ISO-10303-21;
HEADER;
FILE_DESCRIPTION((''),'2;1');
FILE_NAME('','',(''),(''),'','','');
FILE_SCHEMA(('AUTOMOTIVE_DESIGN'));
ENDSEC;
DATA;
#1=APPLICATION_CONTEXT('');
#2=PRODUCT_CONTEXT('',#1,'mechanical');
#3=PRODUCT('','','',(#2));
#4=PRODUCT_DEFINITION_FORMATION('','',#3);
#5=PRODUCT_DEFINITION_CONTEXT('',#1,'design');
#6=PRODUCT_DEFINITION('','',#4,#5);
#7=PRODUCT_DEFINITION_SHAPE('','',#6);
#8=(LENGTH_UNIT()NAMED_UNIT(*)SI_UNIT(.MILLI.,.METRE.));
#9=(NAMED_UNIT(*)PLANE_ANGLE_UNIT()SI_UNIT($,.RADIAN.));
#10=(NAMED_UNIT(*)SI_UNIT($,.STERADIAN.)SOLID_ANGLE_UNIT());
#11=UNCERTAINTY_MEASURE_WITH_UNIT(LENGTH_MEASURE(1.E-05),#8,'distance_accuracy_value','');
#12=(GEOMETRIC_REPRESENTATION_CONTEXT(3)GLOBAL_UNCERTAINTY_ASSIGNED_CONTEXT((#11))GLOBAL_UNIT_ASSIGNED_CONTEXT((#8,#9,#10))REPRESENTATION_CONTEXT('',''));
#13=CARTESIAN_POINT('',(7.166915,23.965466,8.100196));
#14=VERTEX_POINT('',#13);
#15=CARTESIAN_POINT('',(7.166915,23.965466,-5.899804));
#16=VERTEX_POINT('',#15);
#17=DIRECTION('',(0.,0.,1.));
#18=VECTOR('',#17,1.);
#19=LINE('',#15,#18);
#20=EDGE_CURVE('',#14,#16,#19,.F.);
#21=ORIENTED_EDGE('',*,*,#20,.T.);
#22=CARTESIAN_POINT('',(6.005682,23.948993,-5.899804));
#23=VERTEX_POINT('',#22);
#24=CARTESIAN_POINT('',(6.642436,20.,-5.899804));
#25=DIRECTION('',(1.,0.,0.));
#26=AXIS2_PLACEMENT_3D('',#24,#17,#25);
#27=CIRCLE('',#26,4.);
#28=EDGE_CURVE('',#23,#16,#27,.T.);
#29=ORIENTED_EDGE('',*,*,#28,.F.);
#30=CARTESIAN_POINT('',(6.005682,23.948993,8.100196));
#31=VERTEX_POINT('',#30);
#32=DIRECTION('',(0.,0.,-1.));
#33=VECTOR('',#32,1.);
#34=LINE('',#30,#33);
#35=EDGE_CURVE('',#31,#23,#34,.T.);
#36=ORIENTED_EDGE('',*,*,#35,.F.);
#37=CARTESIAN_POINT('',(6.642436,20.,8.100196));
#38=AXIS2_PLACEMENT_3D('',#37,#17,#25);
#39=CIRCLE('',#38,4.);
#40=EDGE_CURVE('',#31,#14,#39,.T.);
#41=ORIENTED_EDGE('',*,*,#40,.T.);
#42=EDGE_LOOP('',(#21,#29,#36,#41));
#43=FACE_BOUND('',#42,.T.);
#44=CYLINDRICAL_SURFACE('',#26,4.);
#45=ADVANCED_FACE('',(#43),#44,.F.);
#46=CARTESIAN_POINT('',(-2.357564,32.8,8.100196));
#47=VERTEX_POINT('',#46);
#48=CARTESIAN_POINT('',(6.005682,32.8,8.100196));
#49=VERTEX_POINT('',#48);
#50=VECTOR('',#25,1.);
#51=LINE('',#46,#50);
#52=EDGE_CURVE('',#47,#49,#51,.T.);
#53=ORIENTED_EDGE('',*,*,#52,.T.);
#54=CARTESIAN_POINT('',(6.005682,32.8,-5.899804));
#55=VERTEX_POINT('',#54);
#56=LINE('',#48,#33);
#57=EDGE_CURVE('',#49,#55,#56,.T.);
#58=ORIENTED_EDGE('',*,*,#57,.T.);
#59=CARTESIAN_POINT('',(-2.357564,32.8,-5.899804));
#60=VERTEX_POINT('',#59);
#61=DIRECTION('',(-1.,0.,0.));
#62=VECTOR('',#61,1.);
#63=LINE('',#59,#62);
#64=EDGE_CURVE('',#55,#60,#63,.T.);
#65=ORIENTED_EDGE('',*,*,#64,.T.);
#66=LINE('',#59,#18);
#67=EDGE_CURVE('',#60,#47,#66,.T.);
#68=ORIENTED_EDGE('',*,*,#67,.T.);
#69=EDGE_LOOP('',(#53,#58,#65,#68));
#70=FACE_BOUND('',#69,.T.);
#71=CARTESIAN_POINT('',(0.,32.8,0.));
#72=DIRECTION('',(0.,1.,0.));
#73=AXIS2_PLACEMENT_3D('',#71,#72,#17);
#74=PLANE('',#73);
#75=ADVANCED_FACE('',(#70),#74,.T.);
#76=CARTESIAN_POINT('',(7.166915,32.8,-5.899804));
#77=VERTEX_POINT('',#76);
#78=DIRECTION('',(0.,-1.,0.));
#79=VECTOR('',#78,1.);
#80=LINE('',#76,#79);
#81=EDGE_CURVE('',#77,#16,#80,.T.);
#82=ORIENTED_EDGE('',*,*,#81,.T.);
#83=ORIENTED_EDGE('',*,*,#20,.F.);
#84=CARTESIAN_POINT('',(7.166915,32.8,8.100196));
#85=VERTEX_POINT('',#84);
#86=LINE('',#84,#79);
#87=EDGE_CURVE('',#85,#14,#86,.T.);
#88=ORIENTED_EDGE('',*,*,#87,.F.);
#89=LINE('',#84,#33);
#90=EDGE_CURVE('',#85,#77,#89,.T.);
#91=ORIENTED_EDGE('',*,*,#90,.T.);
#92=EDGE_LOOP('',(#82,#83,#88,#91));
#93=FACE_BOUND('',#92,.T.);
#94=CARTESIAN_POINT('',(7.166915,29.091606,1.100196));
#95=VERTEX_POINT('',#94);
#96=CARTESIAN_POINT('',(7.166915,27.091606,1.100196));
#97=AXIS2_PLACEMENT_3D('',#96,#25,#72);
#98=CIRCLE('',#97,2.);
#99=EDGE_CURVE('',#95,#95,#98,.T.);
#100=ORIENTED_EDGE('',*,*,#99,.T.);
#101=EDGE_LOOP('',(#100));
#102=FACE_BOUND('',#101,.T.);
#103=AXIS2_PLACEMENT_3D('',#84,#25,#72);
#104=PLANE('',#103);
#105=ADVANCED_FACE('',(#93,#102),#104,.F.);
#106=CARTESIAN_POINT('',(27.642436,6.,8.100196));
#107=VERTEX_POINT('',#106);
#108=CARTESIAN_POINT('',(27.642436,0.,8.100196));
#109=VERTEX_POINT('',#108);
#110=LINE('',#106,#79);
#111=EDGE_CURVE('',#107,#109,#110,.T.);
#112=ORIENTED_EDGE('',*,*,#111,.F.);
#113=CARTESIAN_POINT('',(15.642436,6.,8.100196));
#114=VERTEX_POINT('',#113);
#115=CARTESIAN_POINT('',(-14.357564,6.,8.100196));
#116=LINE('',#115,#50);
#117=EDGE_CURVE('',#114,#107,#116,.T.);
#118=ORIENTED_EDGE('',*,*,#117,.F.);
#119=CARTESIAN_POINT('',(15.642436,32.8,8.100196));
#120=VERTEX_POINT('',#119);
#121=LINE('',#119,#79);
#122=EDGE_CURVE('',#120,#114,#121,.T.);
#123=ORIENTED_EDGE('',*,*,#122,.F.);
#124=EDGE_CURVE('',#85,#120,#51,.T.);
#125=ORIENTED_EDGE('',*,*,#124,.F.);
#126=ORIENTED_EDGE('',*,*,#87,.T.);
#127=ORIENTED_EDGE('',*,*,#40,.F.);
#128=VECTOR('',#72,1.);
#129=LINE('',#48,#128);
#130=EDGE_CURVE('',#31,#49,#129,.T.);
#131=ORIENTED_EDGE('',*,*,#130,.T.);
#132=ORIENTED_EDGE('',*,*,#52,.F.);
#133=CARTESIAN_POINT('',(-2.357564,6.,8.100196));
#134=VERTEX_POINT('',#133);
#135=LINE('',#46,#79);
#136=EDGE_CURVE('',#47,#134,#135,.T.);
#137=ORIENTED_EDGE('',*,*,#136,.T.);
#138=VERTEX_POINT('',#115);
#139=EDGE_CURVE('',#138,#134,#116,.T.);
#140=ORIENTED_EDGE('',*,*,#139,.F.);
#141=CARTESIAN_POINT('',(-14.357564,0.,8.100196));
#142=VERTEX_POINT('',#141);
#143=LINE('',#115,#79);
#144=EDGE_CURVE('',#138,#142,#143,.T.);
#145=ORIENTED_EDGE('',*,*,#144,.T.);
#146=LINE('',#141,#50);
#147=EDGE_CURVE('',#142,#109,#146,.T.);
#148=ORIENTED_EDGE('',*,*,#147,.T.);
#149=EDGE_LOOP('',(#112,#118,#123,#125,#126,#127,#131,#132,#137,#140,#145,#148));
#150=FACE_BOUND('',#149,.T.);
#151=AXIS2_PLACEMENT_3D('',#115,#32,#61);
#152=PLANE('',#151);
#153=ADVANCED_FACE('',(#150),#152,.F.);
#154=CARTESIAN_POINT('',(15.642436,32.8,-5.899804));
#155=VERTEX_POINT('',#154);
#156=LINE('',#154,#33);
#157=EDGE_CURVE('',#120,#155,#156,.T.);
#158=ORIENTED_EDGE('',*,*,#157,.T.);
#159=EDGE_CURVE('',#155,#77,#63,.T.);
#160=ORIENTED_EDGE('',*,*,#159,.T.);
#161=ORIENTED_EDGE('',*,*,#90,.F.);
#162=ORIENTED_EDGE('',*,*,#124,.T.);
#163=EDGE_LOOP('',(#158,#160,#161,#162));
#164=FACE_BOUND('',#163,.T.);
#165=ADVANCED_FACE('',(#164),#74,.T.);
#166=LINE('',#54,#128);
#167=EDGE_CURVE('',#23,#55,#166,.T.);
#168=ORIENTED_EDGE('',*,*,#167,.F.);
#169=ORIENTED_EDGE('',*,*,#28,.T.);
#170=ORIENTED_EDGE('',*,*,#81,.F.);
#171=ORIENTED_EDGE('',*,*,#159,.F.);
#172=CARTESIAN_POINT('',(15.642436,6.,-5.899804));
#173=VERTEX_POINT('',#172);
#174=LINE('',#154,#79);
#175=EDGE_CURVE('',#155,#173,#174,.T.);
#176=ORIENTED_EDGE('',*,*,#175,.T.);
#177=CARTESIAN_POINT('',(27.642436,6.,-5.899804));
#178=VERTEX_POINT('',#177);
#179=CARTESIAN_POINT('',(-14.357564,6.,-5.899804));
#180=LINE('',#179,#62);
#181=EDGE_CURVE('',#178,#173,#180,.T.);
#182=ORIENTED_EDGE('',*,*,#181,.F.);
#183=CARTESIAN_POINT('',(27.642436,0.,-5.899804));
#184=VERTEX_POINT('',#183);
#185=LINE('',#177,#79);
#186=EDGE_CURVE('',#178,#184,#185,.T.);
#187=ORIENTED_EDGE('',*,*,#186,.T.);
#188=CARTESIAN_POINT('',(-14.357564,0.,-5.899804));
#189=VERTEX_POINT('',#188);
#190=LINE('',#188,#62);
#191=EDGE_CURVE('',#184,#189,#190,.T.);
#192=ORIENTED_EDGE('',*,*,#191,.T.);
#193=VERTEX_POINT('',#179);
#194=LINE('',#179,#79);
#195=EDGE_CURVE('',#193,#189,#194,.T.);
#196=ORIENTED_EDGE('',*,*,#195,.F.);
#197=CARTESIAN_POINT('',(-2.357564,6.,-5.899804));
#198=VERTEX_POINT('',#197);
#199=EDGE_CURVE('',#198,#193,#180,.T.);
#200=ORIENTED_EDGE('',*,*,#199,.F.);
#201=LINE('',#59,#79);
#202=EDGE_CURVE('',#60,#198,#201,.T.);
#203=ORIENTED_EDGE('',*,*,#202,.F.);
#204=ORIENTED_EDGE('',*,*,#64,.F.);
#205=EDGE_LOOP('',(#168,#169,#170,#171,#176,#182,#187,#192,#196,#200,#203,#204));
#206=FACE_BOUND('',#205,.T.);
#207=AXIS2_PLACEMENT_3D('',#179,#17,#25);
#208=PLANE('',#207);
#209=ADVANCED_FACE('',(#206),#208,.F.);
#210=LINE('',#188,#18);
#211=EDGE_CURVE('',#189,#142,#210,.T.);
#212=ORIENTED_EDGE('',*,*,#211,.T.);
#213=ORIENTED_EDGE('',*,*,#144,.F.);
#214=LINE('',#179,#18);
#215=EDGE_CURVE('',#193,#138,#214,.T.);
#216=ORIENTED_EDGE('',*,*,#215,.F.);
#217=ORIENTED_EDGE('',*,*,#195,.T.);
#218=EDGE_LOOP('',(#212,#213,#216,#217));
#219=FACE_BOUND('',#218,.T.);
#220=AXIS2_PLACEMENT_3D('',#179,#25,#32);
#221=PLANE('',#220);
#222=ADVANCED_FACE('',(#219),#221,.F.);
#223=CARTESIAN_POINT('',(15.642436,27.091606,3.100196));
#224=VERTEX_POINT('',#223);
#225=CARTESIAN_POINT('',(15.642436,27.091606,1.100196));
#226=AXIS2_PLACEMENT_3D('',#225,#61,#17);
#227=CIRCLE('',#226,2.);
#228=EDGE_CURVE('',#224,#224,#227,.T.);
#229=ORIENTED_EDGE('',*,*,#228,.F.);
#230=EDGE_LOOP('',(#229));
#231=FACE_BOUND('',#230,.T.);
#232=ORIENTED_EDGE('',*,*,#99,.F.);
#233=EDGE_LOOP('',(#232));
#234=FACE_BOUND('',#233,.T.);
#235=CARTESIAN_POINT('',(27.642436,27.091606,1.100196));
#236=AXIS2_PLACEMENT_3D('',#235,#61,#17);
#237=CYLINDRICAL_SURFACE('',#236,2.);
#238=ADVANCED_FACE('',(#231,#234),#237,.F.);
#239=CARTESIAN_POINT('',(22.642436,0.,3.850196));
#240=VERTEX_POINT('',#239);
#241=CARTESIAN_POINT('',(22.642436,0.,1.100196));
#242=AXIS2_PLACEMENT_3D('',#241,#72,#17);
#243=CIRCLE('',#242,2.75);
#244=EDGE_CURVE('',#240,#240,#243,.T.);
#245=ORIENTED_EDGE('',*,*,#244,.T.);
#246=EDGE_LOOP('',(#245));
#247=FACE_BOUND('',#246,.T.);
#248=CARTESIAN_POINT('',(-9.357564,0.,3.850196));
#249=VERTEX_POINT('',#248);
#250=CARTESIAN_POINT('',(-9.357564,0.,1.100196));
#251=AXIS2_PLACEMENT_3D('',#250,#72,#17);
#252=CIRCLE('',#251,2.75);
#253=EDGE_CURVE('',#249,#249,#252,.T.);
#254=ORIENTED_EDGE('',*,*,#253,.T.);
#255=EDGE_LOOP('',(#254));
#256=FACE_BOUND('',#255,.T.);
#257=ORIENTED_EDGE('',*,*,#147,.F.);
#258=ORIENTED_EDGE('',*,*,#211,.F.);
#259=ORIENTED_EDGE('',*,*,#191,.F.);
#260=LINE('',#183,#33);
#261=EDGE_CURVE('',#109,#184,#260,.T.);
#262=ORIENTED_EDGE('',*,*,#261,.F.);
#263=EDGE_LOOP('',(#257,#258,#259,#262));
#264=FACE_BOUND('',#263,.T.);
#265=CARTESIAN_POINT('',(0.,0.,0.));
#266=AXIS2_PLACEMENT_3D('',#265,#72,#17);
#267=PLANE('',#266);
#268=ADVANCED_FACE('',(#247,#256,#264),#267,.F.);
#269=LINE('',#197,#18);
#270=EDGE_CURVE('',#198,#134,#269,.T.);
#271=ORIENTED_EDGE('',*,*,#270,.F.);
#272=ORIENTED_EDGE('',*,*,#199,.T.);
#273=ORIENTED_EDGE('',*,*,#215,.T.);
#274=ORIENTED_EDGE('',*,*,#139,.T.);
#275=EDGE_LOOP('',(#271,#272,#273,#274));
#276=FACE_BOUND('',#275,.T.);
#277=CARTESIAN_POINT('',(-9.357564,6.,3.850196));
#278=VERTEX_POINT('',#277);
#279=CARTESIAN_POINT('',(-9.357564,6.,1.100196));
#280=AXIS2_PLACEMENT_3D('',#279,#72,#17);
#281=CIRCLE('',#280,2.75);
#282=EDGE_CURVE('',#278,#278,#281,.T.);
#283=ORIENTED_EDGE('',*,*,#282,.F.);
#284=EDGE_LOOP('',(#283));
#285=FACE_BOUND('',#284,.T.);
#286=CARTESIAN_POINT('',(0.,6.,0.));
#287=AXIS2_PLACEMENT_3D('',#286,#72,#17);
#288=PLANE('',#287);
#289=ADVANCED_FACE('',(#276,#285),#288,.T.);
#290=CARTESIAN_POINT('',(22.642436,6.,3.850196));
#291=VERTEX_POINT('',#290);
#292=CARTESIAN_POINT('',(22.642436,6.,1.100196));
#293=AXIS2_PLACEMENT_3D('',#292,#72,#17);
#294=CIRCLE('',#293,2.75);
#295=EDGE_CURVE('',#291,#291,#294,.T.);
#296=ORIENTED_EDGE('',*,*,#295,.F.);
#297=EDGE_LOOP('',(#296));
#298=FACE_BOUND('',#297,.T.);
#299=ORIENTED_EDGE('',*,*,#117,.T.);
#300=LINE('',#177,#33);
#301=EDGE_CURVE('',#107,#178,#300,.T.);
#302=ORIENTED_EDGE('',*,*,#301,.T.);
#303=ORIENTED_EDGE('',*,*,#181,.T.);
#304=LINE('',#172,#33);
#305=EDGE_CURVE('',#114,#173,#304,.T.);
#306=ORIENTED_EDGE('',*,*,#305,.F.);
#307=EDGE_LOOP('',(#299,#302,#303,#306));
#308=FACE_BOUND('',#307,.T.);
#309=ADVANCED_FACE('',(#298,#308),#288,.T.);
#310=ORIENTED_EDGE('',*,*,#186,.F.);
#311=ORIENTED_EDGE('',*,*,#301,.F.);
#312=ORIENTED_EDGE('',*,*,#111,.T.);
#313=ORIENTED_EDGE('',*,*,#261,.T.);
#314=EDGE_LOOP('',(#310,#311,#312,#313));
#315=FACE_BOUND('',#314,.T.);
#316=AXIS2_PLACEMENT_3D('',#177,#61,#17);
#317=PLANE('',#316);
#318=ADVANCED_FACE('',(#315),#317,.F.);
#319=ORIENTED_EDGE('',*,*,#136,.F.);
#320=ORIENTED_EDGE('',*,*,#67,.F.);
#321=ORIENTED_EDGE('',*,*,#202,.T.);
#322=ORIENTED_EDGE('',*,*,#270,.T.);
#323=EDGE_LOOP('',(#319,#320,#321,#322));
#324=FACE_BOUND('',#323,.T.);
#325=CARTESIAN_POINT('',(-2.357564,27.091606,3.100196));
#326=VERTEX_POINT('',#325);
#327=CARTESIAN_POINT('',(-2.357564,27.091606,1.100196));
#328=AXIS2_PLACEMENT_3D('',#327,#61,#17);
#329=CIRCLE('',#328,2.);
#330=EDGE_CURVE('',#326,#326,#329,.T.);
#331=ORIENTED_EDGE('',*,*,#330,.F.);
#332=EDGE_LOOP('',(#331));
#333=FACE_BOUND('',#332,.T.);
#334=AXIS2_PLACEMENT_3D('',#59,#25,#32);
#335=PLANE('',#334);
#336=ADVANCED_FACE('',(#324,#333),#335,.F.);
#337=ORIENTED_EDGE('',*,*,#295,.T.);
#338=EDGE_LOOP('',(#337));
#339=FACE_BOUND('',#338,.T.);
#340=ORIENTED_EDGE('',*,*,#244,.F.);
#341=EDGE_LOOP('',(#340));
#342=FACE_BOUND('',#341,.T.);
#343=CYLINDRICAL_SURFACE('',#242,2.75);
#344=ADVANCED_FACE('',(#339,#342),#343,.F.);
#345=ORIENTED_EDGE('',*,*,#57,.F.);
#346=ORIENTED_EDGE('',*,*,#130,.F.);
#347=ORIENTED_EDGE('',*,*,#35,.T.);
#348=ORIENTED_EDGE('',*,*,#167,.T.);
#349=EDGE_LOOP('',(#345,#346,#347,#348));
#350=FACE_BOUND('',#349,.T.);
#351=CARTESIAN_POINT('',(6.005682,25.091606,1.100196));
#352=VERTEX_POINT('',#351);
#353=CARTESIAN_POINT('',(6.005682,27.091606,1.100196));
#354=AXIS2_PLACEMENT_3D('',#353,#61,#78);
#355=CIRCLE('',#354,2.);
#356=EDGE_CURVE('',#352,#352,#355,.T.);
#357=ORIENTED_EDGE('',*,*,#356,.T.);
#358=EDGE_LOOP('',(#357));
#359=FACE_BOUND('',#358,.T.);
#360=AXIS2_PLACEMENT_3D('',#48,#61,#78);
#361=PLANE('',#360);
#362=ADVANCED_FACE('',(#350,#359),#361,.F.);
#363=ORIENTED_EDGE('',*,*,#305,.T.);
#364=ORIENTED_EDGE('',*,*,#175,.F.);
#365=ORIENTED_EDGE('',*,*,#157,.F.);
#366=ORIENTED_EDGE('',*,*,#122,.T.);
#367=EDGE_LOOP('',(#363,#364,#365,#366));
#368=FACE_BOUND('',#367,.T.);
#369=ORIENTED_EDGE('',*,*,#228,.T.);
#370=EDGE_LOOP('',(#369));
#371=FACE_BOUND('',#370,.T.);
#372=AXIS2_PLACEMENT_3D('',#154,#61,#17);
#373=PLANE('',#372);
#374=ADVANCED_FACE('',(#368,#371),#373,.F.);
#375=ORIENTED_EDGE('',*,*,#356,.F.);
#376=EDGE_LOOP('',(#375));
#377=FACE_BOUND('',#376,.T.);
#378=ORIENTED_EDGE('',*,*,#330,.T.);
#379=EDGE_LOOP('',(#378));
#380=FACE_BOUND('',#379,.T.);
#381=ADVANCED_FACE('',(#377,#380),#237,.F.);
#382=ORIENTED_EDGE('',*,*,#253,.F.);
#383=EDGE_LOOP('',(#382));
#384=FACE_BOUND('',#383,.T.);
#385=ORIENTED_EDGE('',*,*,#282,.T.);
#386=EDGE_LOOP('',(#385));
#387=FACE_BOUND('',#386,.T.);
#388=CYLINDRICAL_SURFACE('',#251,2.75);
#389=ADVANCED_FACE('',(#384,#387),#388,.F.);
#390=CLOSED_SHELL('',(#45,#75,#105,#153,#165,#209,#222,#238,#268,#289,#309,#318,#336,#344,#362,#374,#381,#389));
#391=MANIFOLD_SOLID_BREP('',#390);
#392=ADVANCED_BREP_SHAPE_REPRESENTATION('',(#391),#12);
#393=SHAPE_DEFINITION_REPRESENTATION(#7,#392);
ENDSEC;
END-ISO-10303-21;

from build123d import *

# Parameters (mm, degrees)
SKETCH_1_W          = 42
SKETCH_1_H          = 14
EXTRUDE_1_DEPTH     = 6
SKETCH_2_R          = 2.75
CUT_EXTRUDE_1_DEPTH = 30.423076981
SKETCH_3_W          = 18
SKETCH_3_H          = 14
EXTRUDE_2_DEPTH     = 26.8
SKETCH_4_R          = 4
CUT_EXTRUDE_2_DEPTH = 46.121439209
SKETCH_5_W          = 1.161233153
SKETCH_5_H          = 8.851007199
CUT_EXTRUDE_3_DEPTH = 46.121439209
SKETCH_7_R          = 2
CUT_EXTRUDE_4_DEPTH = 46.182443302


with BuildPart() as part:
    # 草图1 → 凸台-拉伸1 (new body)
    with BuildSketch(Plane(origin=(0, 0, 0), x_dir=(1, 0, 0), z_dir=(0, 1, 0))):
        with Locations((6.642436149, -1.100196464)):
            Rectangle(SKETCH_1_W, SKETCH_1_H)
    extrude(amount=EXTRUDE_1_DEPTH)

    # 草图2 → 切除-拉伸1 (cut, through all)
    with BuildSketch(Plane(origin=(0, 6, 0), x_dir=(1, 0, 0), z_dir=(0, 1, 0))):
        with Locations(Location((-9.357563851, -1.100196464, 0), (0, 0, 270))):
            Circle(SKETCH_2_R)
        with Locations(Location((22.642436149, -1.100196464, 0), (0, 0, 270))):
            Circle(SKETCH_2_R)
    extrude(amount=-CUT_EXTRUDE_1_DEPTH, mode=Mode.SUBTRACT)

    # 草图3 → 凸台-拉伸2 (add)
    with BuildSketch(Plane(origin=(0, 6, 0), x_dir=(1, 0, 0), z_dir=(0, 1, 0))):
        with Locations((6.642436149, -1.100196464)):
            Rectangle(SKETCH_3_W, SKETCH_3_H)
    extrude(amount=EXTRUDE_2_DEPTH)

    # 草图4 → 切除-拉伸2 (cut, through all)
    with BuildSketch(Plane.XY.offset(8.100196464)):
        with Locations((6.642436149, 20)):
            Circle(SKETCH_4_R)
    extrude(amount=-CUT_EXTRUDE_2_DEPTH, mode=Mode.SUBTRACT)

    # 草图5 → 切除-拉伸3 (cut, through all)
    with BuildSketch(Plane(origin=(0, 0, -5.899803536), x_dir=(-1, 0, 0), z_dir=(0, 0, -1))):
        with Locations((-6.586298571, 28.374496401)):
            Rectangle(SKETCH_5_W, SKETCH_5_H)
    extrude(amount=-CUT_EXTRUDE_3_DEPTH, mode=Mode.SUBTRACT)

    # 草图7 → 切除-拉伸4 (cut, through all)
    with BuildSketch(Plane.ZY.offset(2.357563851)):
        with Locations((1.100196464, 27.091605966)):
            Circle(SKETCH_7_R)
    extrude(amount=-CUT_EXTRUDE_4_DEPTH, mode=Mode.SUBTRACT)


solid = part.part
